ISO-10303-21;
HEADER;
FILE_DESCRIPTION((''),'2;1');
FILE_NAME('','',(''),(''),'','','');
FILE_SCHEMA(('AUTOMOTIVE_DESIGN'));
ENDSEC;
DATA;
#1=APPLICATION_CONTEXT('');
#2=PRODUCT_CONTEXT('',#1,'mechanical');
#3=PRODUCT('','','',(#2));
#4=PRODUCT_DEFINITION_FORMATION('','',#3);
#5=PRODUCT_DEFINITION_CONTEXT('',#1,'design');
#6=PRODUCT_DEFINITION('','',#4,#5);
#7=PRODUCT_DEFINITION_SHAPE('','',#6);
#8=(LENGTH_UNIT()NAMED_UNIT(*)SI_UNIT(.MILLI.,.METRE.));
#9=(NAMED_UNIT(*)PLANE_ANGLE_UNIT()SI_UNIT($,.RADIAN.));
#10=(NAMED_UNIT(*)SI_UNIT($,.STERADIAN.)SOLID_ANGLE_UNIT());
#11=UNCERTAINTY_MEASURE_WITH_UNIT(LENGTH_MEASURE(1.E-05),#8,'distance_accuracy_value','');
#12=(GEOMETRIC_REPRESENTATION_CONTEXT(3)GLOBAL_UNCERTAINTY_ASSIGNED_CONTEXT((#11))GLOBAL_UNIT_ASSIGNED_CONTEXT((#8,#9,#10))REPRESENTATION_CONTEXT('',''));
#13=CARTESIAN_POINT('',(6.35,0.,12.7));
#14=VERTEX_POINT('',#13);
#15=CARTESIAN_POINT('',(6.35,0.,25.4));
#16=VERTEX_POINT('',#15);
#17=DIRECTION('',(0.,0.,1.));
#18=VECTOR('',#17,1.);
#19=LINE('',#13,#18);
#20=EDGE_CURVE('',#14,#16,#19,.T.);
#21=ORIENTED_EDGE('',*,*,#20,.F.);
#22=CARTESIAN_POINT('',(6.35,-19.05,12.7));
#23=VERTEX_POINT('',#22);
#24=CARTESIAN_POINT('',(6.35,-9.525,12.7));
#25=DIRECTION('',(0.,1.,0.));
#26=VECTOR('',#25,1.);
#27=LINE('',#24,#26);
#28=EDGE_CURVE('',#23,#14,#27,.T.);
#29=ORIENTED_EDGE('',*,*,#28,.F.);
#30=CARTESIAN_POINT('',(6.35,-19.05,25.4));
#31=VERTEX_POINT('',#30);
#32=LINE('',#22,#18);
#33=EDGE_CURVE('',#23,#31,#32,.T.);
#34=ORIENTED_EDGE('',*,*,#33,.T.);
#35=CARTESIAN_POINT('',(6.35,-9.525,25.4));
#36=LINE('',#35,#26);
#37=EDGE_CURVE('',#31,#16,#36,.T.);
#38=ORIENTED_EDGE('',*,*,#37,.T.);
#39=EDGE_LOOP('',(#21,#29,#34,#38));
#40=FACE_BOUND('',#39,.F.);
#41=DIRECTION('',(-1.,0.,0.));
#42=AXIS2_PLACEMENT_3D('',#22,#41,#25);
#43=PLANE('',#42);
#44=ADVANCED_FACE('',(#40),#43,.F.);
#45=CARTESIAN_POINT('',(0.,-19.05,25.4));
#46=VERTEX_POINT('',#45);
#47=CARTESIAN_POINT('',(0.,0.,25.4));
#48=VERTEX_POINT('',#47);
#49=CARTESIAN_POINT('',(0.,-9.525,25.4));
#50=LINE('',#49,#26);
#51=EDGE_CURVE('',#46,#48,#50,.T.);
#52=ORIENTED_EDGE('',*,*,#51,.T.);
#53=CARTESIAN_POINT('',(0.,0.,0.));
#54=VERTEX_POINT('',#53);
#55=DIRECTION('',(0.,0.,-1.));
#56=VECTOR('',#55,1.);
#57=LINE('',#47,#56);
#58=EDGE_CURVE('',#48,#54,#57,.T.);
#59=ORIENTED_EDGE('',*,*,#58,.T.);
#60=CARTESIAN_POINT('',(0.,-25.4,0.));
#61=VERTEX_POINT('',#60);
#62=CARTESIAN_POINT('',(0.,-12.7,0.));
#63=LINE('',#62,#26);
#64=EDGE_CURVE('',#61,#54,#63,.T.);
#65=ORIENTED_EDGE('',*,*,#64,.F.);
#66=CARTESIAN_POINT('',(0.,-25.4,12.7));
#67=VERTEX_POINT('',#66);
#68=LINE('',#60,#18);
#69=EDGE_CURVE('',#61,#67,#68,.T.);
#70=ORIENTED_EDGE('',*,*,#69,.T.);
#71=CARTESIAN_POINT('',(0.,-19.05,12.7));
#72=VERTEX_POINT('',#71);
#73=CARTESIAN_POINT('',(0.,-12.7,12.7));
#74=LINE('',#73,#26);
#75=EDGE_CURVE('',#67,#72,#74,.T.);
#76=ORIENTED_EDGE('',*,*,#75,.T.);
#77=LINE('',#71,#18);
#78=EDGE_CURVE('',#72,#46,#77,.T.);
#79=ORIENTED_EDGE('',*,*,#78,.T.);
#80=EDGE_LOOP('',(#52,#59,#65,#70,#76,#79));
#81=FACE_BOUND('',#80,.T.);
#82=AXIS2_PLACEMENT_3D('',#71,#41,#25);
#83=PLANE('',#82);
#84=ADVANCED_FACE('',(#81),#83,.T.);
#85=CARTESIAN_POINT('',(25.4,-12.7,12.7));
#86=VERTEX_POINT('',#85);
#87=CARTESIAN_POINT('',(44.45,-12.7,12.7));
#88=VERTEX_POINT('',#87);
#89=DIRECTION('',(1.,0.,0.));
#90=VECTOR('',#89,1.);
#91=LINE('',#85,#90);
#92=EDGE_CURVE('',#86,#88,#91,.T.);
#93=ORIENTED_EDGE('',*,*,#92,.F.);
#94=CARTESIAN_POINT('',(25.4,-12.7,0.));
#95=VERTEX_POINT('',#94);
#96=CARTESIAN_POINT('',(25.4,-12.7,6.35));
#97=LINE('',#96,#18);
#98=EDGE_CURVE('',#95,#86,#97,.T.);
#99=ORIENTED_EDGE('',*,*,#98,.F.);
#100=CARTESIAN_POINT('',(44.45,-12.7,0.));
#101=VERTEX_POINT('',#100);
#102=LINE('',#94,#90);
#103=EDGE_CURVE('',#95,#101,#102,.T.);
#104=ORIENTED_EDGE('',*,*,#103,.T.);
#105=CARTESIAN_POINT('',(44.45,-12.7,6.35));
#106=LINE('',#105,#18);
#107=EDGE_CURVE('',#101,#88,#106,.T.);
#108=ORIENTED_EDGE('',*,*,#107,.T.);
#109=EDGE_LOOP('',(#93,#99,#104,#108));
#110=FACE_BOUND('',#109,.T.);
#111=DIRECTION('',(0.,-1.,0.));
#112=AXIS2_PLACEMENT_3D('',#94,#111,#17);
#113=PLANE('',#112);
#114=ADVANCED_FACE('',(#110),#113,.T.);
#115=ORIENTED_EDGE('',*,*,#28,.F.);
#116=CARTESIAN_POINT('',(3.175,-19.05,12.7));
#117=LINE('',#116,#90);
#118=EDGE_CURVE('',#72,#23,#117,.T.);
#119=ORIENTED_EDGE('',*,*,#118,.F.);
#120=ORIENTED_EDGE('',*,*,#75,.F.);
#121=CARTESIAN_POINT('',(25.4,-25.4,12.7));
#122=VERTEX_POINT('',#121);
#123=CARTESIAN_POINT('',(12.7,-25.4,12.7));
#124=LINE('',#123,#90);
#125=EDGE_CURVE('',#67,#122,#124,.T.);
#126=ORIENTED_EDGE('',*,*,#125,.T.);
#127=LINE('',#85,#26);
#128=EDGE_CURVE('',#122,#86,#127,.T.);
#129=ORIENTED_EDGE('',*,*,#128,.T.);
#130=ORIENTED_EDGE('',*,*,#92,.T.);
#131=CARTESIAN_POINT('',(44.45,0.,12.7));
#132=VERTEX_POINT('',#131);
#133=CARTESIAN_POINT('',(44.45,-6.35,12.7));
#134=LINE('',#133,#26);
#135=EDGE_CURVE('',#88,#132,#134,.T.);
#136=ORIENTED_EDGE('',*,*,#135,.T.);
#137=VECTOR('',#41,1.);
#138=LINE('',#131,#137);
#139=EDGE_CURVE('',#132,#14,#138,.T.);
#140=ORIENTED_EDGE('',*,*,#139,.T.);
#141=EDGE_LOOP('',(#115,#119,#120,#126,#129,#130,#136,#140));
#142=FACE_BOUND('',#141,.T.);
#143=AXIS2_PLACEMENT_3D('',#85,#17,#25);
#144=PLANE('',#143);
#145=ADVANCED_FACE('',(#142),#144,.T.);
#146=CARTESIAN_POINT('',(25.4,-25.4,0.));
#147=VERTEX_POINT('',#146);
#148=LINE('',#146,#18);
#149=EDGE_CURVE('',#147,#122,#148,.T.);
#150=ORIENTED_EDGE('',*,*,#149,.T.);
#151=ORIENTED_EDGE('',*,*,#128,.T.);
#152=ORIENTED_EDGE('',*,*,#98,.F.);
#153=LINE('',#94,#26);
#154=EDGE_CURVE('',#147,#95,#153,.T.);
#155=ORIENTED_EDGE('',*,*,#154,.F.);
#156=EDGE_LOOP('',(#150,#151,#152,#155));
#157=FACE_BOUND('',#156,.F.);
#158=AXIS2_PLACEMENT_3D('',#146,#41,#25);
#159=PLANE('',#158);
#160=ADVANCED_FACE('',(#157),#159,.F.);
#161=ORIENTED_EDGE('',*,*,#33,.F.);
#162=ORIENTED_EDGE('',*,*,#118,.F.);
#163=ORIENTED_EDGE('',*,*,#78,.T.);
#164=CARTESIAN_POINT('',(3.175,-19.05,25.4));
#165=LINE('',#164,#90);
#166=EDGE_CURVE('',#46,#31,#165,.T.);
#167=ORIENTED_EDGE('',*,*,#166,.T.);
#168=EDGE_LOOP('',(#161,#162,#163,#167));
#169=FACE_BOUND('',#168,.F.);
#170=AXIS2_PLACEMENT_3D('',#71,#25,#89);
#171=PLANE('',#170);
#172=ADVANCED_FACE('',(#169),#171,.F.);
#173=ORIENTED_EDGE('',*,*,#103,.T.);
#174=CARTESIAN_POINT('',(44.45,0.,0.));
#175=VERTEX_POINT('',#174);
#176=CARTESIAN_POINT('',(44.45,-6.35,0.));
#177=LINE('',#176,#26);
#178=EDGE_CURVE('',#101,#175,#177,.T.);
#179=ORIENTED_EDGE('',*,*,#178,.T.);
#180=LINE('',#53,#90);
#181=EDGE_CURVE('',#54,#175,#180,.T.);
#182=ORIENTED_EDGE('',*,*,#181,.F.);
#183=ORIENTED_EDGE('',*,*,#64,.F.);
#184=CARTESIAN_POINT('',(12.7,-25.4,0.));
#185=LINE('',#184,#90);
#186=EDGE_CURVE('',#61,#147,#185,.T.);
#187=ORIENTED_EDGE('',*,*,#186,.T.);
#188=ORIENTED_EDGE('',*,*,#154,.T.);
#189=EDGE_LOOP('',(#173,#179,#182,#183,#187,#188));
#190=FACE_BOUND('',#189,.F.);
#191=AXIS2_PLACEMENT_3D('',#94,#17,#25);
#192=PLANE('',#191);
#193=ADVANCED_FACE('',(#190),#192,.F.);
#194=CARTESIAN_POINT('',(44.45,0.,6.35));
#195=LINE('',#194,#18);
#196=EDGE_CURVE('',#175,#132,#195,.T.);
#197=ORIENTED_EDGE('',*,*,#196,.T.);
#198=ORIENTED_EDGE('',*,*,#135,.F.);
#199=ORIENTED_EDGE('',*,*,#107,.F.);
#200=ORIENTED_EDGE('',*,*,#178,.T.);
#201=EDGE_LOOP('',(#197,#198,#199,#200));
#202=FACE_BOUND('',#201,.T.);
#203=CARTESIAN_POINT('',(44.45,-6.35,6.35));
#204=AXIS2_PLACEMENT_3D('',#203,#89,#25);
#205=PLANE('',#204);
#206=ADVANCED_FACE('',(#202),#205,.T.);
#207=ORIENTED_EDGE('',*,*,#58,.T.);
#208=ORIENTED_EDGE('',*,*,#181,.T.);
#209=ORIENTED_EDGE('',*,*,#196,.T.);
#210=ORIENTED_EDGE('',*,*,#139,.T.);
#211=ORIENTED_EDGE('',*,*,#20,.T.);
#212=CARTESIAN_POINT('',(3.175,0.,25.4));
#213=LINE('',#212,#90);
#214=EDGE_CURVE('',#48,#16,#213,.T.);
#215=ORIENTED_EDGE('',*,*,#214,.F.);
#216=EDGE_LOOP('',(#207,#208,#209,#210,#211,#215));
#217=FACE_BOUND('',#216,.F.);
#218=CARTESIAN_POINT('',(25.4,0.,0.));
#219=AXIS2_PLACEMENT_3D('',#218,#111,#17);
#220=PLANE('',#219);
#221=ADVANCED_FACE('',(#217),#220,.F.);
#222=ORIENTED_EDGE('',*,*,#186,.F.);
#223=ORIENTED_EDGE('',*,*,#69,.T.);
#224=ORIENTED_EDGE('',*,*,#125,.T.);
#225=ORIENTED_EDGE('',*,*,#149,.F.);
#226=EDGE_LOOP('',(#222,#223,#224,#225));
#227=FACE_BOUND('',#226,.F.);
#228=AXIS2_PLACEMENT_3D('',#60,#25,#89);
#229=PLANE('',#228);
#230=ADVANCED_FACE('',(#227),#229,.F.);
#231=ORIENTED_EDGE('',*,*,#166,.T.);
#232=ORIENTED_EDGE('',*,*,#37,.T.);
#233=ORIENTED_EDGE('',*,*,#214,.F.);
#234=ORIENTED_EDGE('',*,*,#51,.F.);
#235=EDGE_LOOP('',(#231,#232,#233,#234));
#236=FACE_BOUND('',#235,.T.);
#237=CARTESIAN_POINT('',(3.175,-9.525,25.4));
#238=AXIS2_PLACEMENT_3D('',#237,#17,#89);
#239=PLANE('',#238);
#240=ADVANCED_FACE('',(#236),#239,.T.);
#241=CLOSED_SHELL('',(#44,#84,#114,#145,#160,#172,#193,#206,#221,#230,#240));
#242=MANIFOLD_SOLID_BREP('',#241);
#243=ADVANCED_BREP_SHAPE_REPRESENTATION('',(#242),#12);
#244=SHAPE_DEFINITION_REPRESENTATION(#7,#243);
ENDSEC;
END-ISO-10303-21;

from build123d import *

# Parameters (mm, degrees)
F0_W     = 25.4
F0_H     = 25.4
F1_DEPTH = 12.7
F2_W     = 6.35
F2_H     = 19.05
F3_DEPTH = 12.7
F4_W     = 12.7
F4_H     = 12.7
F5_DEPTH = 19.05


with BuildPart() as f1:
    # F0 (on Top) → F1 (new body)
    with BuildSketch(Plane.XY):
        with Locations((12.7, -12.7)):
            Rectangle(F0_W, F0_H)
    extrude(amount=F1_DEPTH)

    # F2 (on face) → F3 (join)
    with BuildSketch(Plane.XY.offset(12.7)):
        with Locations((3.175, -9.525)):
            Rectangle(F2_W, F2_H)
    extrude(amount=F3_DEPTH)

    # F4 (on face) → F5 (join)
    with BuildSketch(Plane.YZ.offset(25.4)):
        with Locations((-6.35, 6.35)):
            Rectangle(F4_W, F4_H)
    extrude(amount=F5_DEPTH)


solid = f1.part
